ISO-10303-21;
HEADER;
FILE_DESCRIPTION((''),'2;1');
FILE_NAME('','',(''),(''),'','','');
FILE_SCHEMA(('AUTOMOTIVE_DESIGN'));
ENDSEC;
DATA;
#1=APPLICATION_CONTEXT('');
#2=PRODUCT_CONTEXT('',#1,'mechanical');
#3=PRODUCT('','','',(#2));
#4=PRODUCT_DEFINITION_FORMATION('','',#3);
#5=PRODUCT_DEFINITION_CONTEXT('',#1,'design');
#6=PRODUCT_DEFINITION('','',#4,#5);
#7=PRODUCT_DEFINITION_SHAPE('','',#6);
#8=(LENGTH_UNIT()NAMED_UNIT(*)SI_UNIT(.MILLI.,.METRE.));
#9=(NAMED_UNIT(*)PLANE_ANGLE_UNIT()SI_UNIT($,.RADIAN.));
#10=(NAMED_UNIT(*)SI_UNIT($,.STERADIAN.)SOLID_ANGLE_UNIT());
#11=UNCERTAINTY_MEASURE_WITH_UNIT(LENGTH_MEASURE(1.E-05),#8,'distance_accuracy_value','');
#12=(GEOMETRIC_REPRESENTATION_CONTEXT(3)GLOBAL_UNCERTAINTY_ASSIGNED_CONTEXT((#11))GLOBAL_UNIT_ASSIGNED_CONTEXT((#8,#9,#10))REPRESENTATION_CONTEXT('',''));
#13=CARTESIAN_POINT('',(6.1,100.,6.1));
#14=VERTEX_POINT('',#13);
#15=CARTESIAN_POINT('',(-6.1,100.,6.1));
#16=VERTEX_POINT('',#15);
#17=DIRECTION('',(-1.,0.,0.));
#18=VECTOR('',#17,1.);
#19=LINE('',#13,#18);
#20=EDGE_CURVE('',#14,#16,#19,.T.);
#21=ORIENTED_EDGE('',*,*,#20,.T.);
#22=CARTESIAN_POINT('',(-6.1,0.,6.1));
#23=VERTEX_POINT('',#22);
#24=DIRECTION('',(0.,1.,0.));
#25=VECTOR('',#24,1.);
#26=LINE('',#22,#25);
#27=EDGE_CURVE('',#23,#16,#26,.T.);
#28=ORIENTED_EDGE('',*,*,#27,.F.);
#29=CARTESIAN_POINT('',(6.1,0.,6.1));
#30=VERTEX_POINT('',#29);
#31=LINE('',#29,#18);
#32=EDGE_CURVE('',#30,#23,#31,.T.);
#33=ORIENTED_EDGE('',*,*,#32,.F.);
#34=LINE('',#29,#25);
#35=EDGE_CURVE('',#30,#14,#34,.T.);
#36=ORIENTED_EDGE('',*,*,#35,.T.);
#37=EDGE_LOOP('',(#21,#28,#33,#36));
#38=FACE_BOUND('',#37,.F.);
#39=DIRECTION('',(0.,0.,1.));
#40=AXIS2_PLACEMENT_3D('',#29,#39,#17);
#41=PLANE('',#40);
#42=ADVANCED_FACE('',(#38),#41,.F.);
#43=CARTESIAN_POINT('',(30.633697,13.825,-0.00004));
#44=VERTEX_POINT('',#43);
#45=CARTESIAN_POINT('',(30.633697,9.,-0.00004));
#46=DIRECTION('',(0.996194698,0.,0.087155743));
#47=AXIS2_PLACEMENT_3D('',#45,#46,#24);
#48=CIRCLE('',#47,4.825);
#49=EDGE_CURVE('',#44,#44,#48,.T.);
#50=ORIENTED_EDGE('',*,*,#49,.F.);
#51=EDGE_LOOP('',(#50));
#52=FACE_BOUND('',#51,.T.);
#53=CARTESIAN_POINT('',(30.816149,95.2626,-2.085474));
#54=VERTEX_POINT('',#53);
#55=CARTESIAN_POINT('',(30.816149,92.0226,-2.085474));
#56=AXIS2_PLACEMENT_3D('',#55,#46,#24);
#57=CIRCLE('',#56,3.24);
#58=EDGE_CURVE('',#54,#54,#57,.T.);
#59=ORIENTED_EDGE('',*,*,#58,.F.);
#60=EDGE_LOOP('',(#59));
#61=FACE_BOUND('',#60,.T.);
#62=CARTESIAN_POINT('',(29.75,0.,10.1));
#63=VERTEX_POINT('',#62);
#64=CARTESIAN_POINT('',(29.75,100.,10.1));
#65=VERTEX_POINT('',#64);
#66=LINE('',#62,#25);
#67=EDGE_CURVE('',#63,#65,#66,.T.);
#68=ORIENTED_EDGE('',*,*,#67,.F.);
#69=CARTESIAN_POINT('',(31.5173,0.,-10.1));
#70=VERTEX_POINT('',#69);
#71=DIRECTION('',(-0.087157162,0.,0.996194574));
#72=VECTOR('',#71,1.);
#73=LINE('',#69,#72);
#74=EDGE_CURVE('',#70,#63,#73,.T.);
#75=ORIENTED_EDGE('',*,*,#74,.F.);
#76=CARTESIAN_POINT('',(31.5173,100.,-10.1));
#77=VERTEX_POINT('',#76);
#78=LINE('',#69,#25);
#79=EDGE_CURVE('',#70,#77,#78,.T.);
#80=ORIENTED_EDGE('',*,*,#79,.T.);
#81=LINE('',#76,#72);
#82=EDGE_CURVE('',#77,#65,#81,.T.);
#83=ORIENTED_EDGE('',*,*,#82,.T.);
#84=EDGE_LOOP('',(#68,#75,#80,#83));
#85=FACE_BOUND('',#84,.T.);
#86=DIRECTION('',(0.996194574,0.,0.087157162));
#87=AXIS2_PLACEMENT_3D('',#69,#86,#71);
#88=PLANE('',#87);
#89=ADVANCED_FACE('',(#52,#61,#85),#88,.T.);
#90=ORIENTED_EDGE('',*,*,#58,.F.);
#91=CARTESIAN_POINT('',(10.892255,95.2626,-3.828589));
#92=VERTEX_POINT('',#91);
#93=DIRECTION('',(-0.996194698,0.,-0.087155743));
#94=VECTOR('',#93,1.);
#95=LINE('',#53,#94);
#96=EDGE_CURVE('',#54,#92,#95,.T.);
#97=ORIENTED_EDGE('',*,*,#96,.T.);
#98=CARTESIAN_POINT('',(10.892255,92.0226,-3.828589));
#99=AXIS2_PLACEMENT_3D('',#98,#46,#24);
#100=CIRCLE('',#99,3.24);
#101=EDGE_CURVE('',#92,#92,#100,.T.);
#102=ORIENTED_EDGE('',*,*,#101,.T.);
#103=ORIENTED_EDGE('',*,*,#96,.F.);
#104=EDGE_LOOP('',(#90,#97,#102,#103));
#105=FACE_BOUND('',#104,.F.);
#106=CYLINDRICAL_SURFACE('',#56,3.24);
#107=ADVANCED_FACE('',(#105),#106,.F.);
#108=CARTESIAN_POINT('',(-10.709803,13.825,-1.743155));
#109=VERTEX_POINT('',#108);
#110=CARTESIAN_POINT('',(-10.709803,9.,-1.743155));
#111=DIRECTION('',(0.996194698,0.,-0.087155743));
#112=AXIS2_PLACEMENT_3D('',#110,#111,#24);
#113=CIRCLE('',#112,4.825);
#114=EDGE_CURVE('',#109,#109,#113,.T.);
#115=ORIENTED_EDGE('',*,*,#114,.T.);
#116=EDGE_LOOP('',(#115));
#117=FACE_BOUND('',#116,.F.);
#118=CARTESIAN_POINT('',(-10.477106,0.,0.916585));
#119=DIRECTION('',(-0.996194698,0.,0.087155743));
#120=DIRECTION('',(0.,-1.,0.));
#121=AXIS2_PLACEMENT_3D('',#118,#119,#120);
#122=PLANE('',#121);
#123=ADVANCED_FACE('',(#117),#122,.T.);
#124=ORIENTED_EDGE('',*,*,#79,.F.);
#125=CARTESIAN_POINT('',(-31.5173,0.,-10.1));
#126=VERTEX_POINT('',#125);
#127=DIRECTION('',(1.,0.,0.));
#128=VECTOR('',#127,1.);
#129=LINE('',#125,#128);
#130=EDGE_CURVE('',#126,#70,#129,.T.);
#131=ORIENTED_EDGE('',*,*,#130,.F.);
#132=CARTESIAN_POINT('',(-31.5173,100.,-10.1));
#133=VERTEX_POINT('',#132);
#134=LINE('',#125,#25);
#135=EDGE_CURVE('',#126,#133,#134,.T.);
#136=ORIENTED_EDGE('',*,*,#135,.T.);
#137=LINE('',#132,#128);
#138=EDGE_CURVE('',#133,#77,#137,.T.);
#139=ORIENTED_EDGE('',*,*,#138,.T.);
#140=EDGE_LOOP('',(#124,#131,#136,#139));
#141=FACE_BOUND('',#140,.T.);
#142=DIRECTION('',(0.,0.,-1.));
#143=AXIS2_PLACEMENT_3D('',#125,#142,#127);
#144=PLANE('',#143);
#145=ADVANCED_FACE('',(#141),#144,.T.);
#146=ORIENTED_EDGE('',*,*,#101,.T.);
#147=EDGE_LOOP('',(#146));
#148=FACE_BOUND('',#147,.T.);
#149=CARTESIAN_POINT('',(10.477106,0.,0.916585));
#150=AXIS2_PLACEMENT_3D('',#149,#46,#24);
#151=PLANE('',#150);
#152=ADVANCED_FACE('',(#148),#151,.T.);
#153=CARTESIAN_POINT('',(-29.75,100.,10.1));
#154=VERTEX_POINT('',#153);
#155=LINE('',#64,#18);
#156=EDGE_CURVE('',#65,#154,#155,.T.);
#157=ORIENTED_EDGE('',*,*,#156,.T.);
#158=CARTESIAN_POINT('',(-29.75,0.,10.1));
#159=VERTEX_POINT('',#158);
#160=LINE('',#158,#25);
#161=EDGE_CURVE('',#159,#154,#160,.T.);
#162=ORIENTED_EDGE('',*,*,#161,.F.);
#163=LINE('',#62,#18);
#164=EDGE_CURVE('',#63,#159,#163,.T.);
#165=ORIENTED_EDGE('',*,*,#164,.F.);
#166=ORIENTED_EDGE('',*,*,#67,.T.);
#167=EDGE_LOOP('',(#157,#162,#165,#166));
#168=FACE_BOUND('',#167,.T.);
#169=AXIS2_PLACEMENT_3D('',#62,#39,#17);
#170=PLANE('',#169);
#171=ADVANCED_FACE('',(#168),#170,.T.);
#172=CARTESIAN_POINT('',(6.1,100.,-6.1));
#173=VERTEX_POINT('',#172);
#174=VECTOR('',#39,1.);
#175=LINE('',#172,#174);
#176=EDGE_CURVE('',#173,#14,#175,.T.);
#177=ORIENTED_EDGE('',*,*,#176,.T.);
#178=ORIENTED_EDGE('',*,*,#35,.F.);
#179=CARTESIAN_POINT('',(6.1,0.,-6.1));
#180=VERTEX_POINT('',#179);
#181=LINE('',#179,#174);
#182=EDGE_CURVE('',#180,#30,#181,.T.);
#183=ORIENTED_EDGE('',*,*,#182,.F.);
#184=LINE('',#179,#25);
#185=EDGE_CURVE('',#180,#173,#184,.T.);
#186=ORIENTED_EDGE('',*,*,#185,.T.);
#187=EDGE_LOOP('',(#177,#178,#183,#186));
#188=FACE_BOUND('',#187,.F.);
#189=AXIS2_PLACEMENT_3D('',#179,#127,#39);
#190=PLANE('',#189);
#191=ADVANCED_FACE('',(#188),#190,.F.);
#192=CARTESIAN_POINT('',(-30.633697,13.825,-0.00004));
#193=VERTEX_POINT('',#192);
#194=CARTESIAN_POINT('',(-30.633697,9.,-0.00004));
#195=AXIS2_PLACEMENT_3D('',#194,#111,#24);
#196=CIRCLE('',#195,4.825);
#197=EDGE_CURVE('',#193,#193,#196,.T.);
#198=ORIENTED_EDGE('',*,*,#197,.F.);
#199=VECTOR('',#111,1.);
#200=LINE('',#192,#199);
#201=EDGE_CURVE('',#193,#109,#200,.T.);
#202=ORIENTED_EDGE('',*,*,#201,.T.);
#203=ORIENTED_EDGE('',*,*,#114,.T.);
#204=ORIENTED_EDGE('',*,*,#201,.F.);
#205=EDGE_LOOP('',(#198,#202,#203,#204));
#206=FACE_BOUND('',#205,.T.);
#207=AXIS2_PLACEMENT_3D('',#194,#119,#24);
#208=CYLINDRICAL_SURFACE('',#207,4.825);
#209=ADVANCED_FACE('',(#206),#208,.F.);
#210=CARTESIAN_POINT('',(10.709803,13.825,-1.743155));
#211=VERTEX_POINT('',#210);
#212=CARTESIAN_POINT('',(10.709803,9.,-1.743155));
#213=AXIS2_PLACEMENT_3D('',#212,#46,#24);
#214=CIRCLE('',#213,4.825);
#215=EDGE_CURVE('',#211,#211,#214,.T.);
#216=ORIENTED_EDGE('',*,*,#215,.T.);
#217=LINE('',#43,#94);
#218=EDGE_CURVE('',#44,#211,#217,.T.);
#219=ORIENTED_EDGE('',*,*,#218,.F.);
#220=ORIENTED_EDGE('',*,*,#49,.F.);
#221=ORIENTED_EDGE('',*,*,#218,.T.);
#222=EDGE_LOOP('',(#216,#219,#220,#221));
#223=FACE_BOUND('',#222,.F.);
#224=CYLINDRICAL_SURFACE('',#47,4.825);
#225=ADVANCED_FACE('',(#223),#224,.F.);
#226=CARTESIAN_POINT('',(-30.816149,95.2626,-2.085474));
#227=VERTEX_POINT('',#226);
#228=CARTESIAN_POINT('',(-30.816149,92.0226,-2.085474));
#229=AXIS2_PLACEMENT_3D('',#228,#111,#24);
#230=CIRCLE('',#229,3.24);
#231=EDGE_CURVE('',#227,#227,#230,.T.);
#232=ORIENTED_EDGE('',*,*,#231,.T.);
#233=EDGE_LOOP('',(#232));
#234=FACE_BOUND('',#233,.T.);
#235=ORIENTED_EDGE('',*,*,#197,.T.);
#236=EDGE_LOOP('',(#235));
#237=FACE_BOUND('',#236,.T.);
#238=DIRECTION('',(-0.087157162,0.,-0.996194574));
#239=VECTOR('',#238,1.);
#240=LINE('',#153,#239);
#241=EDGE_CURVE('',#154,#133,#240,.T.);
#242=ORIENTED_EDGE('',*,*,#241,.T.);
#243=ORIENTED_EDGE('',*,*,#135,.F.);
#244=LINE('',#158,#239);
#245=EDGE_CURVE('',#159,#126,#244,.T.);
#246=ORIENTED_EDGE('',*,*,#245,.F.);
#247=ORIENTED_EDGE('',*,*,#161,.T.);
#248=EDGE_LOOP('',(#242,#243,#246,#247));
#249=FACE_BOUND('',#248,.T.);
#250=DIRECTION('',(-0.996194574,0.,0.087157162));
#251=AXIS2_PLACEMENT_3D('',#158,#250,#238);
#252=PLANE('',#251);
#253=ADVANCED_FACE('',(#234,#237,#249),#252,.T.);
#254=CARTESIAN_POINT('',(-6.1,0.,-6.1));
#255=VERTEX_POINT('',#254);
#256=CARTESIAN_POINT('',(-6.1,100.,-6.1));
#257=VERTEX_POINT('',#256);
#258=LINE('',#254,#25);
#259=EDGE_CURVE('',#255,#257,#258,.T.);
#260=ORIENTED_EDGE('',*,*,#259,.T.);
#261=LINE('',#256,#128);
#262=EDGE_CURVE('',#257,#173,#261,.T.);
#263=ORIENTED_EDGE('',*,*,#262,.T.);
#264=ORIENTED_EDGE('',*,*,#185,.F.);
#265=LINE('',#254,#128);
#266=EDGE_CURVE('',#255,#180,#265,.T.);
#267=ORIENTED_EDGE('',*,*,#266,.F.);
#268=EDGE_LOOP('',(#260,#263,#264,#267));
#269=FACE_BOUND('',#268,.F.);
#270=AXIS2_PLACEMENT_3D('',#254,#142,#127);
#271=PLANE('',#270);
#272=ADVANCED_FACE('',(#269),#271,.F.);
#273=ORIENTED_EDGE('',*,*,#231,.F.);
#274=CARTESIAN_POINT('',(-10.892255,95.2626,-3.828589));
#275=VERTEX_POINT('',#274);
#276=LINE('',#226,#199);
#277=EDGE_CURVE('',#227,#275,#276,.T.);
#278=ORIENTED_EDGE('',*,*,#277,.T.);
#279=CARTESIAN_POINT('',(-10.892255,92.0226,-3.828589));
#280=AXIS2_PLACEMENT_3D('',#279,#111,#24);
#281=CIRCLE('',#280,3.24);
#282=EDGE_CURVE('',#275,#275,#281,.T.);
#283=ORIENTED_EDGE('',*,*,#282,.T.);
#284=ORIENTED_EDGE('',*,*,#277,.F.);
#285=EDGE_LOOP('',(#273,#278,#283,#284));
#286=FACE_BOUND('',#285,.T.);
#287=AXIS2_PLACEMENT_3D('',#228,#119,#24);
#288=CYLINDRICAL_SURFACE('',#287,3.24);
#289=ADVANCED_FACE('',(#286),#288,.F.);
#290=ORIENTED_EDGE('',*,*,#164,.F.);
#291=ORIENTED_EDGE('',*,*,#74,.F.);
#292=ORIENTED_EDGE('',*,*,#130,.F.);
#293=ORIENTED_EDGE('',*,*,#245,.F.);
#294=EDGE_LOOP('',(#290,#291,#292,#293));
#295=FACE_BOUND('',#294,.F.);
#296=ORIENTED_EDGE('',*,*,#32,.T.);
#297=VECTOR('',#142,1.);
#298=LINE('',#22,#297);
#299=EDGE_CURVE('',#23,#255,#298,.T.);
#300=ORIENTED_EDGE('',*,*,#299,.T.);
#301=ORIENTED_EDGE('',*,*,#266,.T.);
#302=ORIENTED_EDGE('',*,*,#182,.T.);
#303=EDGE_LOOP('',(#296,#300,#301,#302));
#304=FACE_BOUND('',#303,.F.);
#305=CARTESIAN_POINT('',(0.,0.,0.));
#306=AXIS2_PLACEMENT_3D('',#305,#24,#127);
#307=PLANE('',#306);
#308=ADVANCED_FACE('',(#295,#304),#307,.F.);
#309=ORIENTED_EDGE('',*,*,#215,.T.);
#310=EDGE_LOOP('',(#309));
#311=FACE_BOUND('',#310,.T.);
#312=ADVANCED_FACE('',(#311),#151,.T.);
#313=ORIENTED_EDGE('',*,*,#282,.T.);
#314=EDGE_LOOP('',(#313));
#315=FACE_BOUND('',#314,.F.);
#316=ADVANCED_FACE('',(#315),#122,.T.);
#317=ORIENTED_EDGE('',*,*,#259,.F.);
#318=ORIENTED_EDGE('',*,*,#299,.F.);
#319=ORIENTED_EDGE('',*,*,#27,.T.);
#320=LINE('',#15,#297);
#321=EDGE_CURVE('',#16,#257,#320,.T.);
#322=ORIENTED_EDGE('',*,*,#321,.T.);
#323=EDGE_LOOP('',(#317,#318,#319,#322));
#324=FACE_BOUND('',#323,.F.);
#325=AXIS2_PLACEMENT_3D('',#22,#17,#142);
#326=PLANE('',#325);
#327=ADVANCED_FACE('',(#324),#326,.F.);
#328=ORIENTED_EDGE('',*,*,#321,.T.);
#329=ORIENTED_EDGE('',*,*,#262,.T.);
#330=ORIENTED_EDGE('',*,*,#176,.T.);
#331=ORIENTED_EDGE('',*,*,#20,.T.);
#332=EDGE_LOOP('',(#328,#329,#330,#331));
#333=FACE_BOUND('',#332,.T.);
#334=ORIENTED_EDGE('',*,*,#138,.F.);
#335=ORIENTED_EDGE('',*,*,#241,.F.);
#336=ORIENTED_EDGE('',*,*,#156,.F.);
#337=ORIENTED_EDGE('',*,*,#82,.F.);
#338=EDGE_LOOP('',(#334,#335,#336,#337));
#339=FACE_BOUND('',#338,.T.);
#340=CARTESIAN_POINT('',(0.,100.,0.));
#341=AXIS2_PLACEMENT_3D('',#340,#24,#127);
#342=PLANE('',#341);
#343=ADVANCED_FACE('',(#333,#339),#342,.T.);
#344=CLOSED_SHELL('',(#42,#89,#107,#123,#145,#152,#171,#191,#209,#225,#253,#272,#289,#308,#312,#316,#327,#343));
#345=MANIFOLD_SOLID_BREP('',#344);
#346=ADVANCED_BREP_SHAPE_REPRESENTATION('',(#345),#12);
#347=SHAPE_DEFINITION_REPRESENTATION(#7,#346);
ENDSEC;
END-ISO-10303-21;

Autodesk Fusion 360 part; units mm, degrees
sketch "Main cross-section sketch" plane through (0, 0, 0) normal (0, 1, 0) x (1, 0, 0)
  line L0 (6.1, -6.1) -> (-6.1, -6.1)
  line L1 (-6.1, -6.1) -> (-6.1, 6.1)
  line L2 (-6.1, 6.1) -> (6.1, 6.1)
  line L3 (6.1, 6.1) -> (6.1, -6.1)
  line L4 (29.75, -10.1) -> (-29.75, -10.1)
  line L5 (-29.75, -10.1) -> (-31.5173, 10.1)
  line L6 (-31.5173, 10.1) -> (31.5173, 10.1)
  line L7 (31.5173, 10.1) -> (29.75, -10.1)
  line L8 (-29.75, -10.1) -> (29.75, -10.1)
  line L9 (-6.1, -6.1) -> (-30.1, -6.1) construction
  line L10 (6.1, -6.1) -> (30.1, -6.1) construction
  line L11 (6.1, -6.1) -> (-6.1, 6.1) construction
  line L12 (6.1, 6.1) -> (-6.1, -6.1) construction
  dimension "d13" = 85
  dimension "d14" = 85
  dimension "d20" = 24
  dimension "d22" = 4
  dimension "d25" = 4
  dimension "d26" = 12.2
extrude "Extrude1" add sketch "Main cross-section sketch" along normal blind 100 makes body 1
sketch "Right side sketch" plane through (30.401, 0, 2.6597) normal (0.9962, 0, 0.0872) x (0, 1, 0)
  line L0 (0, 7.4687) -> (0, -12.8085)
  line L1 (0, -12.8085) -> (100, -12.8085)
  line L2 (100, -12.8085) -> (100, 7.4687)
  line L3 (100, 7.4687) -> (0, 7.4687)
  circle A0 centre (9, -2.6699) radius 4.825
  circle A1 centre (92.0226, -4.7633) radius 3.24
  line L4 (9, -2.6699) -> (0, -2.6699) construction
  line L5 (9, -2.6699) -> (92.0226, -2.6699) construction
  line L6 (92.0226, -2.6699) -> (100, -2.6699) construction
  dimension "d31" = 9.65
  dimension "d32" = 6.48
  dimension "d44" = 9
  dimension "d64" = 2.0934
  dimension "d65" = 83.0226
extrude "Extrude5" add sketch "Right side sketch" along normal blind 20 contours A0 | A1 bodies 1
mirror "Mirror1" about plane through (0, 0, 0) normal (1, 0, 0) of "Extrude5"
extrude "Extrude6" add sketch "Right side sketch" along normal blind 20 bodies 1
extrude "Extrude7" add 1 faces at (-30.2168, 67.337, 4.7654) along direction (-0.996195, 0, 0.087156) blind 20 on bodies 1 bodies 1
split "Split1" by plane through (0, 0, 0) normal (0, 0, 1) bodies 1 makes body 2 at (-10.5058, 33.3333, -10.1)
move_body "Move1" bodies 2 to x (-1, 0, 0) y (0, 1, 0) z (0, 0, -1) at (62.2, 0, 0.2)
delete_body "RemoveBody1" bodies 1
delete_body "RemoveBody2" bodies 2
extrude "Extrude8" add sketch "Main cross-section sketch" along normal blind 100 separate body makes body 3
extrude "Extrude9" cut sketch "Right side sketch" against normal blind 20 contours A0 | A1 bodies 3
mirror "Mirror2" about plane through (0, 0, 0) normal (1, 0, 0) of "Extrude9"
extrude "Extrude4" [suppressed]
extrude "Extrude2" [suppressed]
sketch "Left side sketch" plane through (-11.8041, 0, 1.0327) normal (-0.9962, 0, 0.0872) x (0, -1, 0)
  line L0 (0, -9.9817) -> (0, 8.2879)
  line L1 (0, 8.2879) -> (-100, 8.2879)
  line L2 (-100, 8.2879) -> (-100, -9.9817)
  line L3 (-100, -9.9817) -> (0, -9.9817)
  circle A0 centre (-92.0226, -2.9403) radius 5.19
  circle A1 centre (-92.0226, -2.9403) radius 3.19
  circle A2 centre (-9, -0.8469) radius 4.775
  circle A3 centre (-9, -0.8469) radius 6.775
  line L4 (-100, -0.8469) -> (0, -0.8469) construction
  dimension "d40" = 9.55
  dimension "d41" = 6.38
  dimension "d42" = 13.55
  dimension "d43" = 10.38
  dimension "d47" = 9
  dimension "d66" = 2.0934
  dimension "d67" = 83.0226
extrude "Extrude3" [suppressed]
hole "Hole1" [suppressed]
hole "Hole2" [suppressed]
hole "Hole3" [suppressed]
hole "Hole4" [suppressed]
equation "d42 = 9.55 mm + 4 mm"
equation "d43 = 6.38 mm + 4 mm"
